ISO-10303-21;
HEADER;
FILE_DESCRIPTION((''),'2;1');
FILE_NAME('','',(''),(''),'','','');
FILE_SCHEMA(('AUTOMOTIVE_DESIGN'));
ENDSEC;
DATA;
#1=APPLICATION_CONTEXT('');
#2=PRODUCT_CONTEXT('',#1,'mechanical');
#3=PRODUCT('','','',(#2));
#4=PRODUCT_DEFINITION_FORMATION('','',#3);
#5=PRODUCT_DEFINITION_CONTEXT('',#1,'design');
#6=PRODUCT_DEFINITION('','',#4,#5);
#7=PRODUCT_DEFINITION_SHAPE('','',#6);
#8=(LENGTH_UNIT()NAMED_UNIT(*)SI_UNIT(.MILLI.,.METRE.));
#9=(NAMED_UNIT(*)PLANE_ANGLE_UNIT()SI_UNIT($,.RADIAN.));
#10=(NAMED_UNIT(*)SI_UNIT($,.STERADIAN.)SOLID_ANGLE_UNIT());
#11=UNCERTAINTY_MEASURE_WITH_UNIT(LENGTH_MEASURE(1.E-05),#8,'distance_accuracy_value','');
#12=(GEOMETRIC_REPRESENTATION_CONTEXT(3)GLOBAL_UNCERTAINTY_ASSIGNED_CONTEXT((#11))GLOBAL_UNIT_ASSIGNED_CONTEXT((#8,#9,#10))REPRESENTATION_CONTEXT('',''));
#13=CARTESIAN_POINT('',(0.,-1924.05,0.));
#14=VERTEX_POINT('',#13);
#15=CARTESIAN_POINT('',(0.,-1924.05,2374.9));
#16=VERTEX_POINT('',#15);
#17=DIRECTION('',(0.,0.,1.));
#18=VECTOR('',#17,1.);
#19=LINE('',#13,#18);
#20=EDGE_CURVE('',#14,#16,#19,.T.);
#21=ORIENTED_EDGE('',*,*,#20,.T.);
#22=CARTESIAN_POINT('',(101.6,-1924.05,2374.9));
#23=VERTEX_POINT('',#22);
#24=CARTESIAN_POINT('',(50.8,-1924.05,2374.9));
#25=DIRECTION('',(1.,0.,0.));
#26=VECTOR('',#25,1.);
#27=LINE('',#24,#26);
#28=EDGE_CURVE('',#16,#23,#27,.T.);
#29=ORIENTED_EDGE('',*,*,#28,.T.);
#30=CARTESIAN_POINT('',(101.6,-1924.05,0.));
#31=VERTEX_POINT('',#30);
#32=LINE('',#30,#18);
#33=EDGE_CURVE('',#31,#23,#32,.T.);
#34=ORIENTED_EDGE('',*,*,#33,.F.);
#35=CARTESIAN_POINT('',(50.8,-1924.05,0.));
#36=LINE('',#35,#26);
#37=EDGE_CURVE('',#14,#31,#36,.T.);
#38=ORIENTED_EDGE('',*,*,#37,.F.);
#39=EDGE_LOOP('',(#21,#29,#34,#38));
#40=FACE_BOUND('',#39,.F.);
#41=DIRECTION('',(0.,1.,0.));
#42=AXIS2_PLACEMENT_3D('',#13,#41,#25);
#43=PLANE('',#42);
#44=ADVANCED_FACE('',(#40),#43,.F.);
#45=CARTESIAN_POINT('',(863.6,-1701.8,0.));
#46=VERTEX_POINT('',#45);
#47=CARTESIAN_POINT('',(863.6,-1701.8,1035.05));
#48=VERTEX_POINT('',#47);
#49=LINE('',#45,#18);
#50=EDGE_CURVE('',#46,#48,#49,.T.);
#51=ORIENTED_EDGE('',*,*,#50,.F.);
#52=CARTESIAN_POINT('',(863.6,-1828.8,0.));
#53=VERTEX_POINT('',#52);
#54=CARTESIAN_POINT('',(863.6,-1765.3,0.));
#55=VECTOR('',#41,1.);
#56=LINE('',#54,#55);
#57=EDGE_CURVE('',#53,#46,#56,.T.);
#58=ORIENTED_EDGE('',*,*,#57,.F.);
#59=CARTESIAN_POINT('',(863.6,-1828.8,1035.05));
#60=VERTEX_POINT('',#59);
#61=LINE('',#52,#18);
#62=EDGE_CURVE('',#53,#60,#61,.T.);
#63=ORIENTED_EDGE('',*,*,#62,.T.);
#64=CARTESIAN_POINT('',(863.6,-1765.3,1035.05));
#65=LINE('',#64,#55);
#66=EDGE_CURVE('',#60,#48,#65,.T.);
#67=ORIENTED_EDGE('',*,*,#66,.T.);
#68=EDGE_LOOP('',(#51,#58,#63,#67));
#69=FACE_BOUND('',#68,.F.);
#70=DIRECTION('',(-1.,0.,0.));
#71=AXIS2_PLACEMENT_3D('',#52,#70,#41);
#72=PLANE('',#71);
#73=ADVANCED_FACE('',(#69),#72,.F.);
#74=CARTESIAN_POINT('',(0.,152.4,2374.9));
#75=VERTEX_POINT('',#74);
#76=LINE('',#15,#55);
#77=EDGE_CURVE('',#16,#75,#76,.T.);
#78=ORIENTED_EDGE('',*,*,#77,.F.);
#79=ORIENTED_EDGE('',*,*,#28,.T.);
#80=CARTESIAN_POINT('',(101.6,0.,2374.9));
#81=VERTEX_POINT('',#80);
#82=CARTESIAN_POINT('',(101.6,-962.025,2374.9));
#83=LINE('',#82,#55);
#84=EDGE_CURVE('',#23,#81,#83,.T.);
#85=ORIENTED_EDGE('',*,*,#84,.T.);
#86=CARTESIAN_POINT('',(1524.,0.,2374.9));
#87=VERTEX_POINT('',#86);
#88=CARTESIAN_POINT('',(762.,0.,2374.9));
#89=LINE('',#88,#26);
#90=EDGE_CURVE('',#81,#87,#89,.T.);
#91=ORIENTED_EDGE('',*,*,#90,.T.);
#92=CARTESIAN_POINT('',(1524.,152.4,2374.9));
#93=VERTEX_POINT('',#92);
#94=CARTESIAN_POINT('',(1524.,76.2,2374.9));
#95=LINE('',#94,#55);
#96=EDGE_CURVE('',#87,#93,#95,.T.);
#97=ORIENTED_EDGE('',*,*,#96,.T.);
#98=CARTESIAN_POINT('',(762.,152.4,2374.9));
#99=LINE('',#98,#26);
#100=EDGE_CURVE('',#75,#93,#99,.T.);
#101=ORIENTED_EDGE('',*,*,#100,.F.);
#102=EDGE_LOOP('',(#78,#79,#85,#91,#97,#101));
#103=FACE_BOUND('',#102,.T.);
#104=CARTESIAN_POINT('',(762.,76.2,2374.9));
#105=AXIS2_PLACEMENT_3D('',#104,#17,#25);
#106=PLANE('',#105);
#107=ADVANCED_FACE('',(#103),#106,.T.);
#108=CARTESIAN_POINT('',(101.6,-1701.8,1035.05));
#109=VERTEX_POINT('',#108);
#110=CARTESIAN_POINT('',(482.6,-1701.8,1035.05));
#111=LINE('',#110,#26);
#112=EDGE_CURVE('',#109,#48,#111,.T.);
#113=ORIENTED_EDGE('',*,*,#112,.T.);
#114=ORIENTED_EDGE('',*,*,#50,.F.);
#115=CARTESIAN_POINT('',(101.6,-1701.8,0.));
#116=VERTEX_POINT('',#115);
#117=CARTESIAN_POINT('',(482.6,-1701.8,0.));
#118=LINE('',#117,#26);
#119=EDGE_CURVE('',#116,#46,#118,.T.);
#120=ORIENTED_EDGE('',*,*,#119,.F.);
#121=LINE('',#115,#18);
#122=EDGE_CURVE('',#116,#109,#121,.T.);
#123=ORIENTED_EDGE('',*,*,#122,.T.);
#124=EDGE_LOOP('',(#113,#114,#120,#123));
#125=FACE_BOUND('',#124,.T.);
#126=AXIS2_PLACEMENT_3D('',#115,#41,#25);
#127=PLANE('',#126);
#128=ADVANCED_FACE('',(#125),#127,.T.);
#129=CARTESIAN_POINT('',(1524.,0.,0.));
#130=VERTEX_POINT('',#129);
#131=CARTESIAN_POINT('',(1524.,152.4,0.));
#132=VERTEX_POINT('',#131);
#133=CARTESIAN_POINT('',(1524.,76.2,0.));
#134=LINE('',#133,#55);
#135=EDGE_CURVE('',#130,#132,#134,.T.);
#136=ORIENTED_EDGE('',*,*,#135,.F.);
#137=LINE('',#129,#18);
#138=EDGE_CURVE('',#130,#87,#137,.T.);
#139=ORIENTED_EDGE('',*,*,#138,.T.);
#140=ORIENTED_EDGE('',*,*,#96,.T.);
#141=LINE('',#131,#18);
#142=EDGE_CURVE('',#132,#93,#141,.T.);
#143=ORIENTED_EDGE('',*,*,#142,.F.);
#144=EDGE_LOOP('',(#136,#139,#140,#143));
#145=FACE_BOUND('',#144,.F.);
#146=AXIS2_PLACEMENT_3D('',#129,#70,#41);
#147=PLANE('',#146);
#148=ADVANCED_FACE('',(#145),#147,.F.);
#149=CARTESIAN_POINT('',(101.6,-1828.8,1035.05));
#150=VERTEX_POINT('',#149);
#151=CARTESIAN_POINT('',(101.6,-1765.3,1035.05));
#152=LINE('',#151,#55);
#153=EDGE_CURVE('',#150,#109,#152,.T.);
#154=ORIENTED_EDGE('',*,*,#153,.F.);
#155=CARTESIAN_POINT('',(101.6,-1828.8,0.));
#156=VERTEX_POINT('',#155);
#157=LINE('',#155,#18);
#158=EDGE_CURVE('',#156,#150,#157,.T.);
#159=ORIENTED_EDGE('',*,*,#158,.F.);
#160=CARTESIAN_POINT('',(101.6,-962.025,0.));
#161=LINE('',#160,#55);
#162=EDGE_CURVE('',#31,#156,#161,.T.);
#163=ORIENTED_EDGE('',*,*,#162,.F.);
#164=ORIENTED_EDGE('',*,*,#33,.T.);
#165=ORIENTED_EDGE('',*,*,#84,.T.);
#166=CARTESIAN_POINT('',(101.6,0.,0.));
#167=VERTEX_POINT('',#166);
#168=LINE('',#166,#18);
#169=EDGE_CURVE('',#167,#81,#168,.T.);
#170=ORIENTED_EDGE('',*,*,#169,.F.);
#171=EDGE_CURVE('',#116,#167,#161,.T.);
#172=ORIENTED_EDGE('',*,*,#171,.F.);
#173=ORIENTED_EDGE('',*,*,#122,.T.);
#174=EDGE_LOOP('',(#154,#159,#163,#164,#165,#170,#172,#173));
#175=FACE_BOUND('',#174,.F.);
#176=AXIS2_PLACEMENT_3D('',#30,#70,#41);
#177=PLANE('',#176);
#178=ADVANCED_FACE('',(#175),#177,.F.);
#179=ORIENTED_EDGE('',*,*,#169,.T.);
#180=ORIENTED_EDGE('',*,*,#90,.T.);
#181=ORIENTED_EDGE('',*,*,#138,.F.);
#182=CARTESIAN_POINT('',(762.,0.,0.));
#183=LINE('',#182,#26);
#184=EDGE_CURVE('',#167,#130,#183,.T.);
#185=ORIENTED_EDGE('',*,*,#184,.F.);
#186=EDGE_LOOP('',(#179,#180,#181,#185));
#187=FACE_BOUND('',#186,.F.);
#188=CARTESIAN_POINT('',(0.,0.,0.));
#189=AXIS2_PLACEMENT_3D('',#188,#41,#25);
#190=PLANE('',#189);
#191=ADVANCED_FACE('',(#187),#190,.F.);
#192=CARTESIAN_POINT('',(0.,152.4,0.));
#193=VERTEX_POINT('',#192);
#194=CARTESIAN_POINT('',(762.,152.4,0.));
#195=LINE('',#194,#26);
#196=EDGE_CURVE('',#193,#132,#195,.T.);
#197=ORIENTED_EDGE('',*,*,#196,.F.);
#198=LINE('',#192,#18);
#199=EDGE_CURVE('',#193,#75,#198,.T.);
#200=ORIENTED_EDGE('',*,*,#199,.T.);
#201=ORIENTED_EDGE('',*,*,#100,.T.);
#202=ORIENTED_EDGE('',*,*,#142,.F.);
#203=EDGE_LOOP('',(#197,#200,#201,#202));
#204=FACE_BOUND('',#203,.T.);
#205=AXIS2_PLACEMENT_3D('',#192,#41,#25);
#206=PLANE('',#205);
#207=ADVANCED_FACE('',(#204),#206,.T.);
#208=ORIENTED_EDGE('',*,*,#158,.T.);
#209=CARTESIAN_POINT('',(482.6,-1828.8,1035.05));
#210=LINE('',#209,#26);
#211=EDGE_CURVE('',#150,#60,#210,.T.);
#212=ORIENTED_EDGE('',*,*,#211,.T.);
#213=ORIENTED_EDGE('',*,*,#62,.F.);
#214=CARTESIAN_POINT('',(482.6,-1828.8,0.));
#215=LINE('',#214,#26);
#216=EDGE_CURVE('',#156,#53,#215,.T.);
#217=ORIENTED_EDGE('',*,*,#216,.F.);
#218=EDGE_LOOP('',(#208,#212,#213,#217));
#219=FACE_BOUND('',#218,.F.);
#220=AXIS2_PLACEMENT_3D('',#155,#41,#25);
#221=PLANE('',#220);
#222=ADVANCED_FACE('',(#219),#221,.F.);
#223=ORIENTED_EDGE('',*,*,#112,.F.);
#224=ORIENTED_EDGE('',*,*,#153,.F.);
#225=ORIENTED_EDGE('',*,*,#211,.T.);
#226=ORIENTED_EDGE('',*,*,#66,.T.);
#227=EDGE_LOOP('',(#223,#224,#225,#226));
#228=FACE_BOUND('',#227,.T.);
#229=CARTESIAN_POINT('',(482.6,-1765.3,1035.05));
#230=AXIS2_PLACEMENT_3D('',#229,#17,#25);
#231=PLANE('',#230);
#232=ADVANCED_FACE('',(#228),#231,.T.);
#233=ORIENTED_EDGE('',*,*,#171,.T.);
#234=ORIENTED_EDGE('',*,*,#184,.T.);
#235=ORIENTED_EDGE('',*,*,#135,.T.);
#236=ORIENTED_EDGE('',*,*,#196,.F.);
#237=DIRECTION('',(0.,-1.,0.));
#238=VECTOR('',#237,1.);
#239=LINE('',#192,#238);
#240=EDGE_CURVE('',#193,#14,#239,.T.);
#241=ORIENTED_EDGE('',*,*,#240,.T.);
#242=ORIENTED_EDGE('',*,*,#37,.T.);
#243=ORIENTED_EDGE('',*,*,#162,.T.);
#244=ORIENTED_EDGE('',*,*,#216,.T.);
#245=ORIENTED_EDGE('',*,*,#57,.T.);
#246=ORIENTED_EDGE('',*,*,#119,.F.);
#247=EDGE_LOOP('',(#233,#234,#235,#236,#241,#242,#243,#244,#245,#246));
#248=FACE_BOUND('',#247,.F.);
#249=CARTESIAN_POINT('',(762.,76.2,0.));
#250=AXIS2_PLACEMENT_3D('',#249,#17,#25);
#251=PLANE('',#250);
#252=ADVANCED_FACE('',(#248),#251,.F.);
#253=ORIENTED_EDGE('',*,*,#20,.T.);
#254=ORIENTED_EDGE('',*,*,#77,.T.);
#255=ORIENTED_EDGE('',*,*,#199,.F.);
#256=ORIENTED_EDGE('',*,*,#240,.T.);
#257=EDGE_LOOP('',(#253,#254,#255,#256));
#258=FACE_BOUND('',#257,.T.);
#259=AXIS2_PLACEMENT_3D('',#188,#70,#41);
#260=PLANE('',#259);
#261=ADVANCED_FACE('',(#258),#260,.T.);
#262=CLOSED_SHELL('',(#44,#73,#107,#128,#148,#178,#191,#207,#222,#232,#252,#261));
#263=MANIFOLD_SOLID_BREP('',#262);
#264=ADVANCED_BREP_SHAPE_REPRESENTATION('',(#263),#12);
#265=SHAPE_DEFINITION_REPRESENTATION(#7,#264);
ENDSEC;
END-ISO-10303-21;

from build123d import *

# Parameters (mm, degrees)
F0_W     = 101.6
F0_H     = 1924.05
F3_DEPTH = 2374.9
F1_W     = 1524
F1_H     = 152.4
F4_DEPTH = 2374.9
F2_W     = 762
F2_H     = 127
F5_DEPTH = 1035.05


with BuildPart() as f3:
    # F0 (on Top) → F3 (new body)
    with BuildSketch(Plane.XY):
        with Locations((50.8, -962.025)):
            Rectangle(F0_W, F0_H)
    extrude(amount=F3_DEPTH)

    # F1 (on Top) → F4 (join)
    with BuildSketch(Plane.XY):
        with Locations((762, 76.2)):
            Rectangle(F1_W, F1_H)
    extrude(amount=F4_DEPTH)

    # F2 (on Top) → F5 (join)
    with BuildSketch(Plane.XY):
        with Locations((482.6, -1765.3)):
            Rectangle(F2_W, F2_H)
    extrude(amount=F5_DEPTH)


solid = f3.part
